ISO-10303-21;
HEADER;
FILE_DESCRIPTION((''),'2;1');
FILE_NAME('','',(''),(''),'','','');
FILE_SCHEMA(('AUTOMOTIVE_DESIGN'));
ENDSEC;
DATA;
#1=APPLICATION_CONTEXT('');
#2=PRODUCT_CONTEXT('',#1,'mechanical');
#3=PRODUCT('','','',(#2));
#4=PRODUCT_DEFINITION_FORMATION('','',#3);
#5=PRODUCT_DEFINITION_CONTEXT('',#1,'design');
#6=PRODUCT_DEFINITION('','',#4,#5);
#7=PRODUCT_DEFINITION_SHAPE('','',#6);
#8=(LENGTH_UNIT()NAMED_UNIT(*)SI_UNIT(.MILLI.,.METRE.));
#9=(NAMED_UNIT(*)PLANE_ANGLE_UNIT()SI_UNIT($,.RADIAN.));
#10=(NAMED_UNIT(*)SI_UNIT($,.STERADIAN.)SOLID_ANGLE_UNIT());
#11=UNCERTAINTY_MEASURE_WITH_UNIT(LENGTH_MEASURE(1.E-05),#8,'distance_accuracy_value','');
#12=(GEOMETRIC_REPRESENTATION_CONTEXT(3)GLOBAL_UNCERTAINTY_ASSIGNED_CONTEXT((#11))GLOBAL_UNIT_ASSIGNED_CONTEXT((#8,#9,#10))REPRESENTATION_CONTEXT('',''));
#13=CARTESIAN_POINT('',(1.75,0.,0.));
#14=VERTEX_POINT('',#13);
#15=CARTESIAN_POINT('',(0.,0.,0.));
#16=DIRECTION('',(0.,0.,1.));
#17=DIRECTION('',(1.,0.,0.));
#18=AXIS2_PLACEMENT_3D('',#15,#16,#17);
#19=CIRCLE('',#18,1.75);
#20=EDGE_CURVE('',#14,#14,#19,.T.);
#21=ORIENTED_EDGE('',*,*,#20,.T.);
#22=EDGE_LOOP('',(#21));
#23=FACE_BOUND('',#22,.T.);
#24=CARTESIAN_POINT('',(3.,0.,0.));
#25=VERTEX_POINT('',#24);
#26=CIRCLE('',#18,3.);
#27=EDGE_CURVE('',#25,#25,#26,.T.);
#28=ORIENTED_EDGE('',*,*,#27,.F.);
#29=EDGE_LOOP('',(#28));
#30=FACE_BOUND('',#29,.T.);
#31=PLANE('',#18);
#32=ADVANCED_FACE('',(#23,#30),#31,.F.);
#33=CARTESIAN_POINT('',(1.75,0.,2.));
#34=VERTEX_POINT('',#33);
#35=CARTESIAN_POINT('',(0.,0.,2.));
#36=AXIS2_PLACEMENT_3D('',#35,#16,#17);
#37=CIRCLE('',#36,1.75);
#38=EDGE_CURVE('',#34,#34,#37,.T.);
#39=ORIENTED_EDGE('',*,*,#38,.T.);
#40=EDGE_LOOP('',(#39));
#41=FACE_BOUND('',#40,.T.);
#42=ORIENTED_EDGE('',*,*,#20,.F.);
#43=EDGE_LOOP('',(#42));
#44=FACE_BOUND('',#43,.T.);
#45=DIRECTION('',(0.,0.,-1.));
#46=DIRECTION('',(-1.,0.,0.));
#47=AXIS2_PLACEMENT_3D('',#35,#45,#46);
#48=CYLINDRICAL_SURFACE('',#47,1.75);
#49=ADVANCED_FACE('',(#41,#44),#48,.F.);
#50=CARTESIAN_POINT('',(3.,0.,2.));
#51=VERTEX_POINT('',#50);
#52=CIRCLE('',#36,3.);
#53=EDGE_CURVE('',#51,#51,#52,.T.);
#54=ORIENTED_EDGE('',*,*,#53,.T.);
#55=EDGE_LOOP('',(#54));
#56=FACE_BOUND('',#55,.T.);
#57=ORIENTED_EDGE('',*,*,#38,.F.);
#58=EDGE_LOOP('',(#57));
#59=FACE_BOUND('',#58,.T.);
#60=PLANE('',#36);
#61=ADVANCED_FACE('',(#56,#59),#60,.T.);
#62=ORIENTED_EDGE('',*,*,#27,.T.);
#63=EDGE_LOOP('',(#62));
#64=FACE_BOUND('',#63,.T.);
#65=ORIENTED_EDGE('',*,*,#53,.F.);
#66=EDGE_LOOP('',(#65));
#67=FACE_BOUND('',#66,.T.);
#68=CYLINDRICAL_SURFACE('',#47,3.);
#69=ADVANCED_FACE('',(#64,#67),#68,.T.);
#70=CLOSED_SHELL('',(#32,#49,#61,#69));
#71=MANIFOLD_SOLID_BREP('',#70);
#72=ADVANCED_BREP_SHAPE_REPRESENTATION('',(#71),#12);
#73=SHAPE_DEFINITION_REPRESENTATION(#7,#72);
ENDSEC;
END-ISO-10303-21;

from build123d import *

# Parameters (mm, degrees)
SKETCH_1_R      = 3
SKETCH_1_R_2    = 1.75
EXTRUDE_1_DEPTH = 2


with BuildPart() as part:
    # Эскиз1 → Бобышка-Вытянуть1 (new body)
    with BuildSketch(Plane.XY):
        Circle(SKETCH_1_R)
        Circle(SKETCH_1_R_2, mode=Mode.SUBTRACT)
    extrude(amount=EXTRUDE_1_DEPTH)


solid = part.part
